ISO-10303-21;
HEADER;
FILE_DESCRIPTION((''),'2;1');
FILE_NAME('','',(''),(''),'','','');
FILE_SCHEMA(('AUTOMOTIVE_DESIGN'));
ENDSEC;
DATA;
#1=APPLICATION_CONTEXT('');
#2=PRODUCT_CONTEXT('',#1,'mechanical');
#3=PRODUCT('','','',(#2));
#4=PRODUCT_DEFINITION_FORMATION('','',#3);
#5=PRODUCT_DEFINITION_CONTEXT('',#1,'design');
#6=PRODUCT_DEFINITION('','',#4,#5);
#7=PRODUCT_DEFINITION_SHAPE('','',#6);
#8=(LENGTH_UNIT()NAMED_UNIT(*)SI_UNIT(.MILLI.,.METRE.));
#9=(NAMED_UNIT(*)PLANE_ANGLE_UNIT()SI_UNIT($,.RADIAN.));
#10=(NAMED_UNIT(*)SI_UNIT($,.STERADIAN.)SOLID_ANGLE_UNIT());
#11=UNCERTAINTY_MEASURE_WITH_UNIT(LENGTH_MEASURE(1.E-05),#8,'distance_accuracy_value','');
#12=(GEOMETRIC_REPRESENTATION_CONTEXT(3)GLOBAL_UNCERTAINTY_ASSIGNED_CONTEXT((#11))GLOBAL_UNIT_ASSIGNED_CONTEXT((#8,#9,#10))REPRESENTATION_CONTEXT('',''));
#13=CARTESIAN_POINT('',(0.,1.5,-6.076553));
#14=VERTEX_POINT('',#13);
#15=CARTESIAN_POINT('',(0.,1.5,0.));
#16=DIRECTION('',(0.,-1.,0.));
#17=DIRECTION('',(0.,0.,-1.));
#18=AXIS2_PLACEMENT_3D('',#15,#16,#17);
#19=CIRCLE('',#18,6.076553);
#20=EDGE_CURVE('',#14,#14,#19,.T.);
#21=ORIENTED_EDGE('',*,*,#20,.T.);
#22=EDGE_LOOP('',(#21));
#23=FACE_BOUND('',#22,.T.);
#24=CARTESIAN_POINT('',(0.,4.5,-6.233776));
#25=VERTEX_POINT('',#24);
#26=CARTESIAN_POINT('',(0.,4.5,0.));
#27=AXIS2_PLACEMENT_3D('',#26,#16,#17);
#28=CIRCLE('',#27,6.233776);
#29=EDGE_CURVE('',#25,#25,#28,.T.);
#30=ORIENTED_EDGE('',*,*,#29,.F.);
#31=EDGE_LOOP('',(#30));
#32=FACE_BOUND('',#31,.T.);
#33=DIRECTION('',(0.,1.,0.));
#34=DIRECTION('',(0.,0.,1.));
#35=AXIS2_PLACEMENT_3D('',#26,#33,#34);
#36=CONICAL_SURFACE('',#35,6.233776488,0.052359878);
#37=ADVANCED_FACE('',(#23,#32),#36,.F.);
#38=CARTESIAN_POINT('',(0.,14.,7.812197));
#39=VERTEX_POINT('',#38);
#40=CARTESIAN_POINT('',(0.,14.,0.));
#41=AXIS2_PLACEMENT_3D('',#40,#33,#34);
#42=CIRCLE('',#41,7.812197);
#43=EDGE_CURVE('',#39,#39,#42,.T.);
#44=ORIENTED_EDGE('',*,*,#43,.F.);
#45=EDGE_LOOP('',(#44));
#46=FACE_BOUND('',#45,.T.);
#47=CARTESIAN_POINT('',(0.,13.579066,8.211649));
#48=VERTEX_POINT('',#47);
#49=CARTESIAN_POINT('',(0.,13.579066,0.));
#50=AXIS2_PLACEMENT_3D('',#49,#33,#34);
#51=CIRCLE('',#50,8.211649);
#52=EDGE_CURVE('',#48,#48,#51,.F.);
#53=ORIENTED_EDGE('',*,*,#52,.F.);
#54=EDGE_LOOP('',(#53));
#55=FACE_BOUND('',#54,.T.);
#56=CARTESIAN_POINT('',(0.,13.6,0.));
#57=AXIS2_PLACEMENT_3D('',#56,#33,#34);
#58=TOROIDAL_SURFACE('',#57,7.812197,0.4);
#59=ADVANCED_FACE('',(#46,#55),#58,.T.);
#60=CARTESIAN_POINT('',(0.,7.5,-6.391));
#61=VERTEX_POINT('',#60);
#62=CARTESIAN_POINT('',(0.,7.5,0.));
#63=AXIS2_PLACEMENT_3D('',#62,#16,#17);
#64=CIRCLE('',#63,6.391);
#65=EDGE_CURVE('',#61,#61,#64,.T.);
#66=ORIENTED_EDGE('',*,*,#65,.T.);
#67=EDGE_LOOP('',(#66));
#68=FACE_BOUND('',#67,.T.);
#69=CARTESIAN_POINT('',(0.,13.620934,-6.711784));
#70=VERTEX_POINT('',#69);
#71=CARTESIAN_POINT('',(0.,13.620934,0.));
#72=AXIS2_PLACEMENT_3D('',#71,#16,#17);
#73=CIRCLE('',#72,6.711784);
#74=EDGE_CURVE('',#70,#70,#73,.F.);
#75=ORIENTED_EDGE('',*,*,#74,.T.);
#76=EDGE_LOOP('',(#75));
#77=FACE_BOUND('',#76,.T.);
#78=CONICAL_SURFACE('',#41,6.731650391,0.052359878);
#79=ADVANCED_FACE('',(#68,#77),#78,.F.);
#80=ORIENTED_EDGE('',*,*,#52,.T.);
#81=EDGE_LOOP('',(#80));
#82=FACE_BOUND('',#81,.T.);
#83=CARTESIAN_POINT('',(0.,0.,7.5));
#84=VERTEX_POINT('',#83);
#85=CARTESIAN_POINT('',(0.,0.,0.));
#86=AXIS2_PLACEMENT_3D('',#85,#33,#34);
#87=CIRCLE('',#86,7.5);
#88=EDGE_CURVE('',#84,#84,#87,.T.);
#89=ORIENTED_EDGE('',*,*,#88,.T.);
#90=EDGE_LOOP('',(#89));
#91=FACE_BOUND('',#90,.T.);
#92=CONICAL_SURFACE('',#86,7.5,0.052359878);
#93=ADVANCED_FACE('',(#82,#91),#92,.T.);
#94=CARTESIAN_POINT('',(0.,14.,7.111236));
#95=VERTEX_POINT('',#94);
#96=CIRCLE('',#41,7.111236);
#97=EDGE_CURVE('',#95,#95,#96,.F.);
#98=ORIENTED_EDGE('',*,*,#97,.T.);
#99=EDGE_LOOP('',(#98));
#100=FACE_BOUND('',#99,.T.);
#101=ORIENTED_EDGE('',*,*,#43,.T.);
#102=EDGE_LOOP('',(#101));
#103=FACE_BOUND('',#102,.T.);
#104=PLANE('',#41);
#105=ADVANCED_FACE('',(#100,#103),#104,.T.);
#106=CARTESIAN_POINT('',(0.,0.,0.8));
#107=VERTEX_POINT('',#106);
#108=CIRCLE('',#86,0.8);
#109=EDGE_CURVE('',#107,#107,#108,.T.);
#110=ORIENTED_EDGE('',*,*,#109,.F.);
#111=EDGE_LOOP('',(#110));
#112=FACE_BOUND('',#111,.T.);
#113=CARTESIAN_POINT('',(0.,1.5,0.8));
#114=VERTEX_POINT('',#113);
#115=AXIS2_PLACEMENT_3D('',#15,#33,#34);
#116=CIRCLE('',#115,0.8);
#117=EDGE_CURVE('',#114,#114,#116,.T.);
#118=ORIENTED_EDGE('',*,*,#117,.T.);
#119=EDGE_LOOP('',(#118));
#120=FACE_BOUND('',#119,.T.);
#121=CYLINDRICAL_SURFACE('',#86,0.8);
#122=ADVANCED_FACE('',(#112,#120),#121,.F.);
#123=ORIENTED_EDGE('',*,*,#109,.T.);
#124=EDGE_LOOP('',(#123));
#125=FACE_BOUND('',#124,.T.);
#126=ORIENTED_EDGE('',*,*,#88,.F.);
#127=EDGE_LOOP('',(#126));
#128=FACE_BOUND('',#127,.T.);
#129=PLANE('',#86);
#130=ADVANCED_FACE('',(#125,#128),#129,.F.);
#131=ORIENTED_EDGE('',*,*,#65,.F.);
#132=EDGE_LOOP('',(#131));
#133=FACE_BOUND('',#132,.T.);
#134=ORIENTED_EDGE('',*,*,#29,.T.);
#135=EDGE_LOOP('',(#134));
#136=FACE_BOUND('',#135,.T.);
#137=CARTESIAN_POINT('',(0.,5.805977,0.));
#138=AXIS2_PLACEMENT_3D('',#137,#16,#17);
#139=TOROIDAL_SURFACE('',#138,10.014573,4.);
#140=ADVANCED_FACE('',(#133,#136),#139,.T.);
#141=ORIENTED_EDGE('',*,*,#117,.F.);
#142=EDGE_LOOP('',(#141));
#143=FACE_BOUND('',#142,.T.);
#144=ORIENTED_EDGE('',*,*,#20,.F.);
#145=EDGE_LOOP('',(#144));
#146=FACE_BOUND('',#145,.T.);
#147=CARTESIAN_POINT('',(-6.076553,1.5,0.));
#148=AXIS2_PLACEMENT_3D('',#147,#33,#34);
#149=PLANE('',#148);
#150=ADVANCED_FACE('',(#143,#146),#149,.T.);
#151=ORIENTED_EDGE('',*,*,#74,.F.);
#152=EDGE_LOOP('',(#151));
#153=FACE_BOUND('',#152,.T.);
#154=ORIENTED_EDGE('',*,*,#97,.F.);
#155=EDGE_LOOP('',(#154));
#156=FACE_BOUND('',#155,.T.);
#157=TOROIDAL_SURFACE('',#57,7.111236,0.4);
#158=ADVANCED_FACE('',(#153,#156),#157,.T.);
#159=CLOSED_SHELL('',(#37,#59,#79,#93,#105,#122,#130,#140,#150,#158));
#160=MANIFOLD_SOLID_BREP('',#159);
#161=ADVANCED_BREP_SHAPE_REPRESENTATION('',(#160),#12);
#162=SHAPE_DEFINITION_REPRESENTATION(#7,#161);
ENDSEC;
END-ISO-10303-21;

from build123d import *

# Parameters (mm, degrees)
SKIZZE1_R                       = 7.5
AUFSATZ_LINEAR_AUSTRAGEN1_DEPTH = 14
AUFSATZ_LINEAR_AUSTRAGEN1_DRAFT = -3
SKIZZE3_R                       = 0.8
SCHNITT_LINEAR_AUSTRAGEN1_DEPTH = 18.083264466
VERRUNDUNG1_R                   = 0.4


with BuildPart() as part:
    # Skizze1 → Aufsatz-Linear austragen1 (with draft: the straight prism first)
    with BuildSketch(Plane(origin=(0, 0, 0), x_dir=(1, 0, 0), z_dir=(0, 1, 0))):
        Circle(SKIZZE1_R)
    extrude(amount=AUFSATZ_LINEAR_AUSTRAGEN1_DEPTH)
    # Aufsatz-Linear austragen1: the draft: its side faces are tilted about the plane it starts from
    aufsatz_linear_austragen1_sides = [part.faces().sort_by_distance(p)[0] for p in [
        (-7.5, 7, 0),
    ]]
    draft(aufsatz_linear_austragen1_sides, Plane(origin=(0, 0, 0), x_dir=(1, 0, 0), z_dir=(0, 1, 0)), AUFSATZ_LINEAR_AUSTRAGEN1_DRAFT)

    # Skizze2 → Schnitt-Rotation1 (revolve, cut)
    with BuildSketch(Plane.XY, mode=Mode.PRIVATE) as schnitt_rotation1_sk:
        with BuildLine():
            Line((-6.233776488, 4.5), (-6.07655315, 1.5))
            Line((-6.07655315, 1.5), (0, 1.5))
            Line((0, 1.5), (0, 14))
            Line((0, 14), (-6.731650391, 14))
            Line((-6.731650391, 14), (-6.390999826, 7.5))
            ThreePointArc((-6.390999826, 7.5), (-6.020055205, 6.015320521), (-6.233776488, 4.5))
        make_face()
    revolve(schnitt_rotation1_sk.sketch.rotate(Axis((0, 0, 0), (0, 1, 0)), 270), axis=Axis((0, 0, 0), (0, 1, 0)), mode=Mode.SUBTRACT)

    # Skizze3 → Schnitt-Linear austragen1 (cut, through all)
    with BuildSketch(Plane(origin=(0, 1.5, 0), x_dir=(1, 0, 0), z_dir=(0, 1, 0))):
        with Locations(Location((0, 0, 0), (0, 0, 270))):
            Circle(SKIZZE3_R)
    extrude(amount=-SCHNITT_LINEAR_AUSTRAGEN1_DEPTH, mode=Mode.SUBTRACT)

    # Verrundung1
    verrundung1_edges = [part.edges().sort_by_distance(p)[0] for p in [
        (-8.23370891, 14, 0),
        (0, 14, 6.731650391),
    ]]
    fillet(verrundung1_edges, radius=VERRUNDUNG1_R)


solid = part.part
